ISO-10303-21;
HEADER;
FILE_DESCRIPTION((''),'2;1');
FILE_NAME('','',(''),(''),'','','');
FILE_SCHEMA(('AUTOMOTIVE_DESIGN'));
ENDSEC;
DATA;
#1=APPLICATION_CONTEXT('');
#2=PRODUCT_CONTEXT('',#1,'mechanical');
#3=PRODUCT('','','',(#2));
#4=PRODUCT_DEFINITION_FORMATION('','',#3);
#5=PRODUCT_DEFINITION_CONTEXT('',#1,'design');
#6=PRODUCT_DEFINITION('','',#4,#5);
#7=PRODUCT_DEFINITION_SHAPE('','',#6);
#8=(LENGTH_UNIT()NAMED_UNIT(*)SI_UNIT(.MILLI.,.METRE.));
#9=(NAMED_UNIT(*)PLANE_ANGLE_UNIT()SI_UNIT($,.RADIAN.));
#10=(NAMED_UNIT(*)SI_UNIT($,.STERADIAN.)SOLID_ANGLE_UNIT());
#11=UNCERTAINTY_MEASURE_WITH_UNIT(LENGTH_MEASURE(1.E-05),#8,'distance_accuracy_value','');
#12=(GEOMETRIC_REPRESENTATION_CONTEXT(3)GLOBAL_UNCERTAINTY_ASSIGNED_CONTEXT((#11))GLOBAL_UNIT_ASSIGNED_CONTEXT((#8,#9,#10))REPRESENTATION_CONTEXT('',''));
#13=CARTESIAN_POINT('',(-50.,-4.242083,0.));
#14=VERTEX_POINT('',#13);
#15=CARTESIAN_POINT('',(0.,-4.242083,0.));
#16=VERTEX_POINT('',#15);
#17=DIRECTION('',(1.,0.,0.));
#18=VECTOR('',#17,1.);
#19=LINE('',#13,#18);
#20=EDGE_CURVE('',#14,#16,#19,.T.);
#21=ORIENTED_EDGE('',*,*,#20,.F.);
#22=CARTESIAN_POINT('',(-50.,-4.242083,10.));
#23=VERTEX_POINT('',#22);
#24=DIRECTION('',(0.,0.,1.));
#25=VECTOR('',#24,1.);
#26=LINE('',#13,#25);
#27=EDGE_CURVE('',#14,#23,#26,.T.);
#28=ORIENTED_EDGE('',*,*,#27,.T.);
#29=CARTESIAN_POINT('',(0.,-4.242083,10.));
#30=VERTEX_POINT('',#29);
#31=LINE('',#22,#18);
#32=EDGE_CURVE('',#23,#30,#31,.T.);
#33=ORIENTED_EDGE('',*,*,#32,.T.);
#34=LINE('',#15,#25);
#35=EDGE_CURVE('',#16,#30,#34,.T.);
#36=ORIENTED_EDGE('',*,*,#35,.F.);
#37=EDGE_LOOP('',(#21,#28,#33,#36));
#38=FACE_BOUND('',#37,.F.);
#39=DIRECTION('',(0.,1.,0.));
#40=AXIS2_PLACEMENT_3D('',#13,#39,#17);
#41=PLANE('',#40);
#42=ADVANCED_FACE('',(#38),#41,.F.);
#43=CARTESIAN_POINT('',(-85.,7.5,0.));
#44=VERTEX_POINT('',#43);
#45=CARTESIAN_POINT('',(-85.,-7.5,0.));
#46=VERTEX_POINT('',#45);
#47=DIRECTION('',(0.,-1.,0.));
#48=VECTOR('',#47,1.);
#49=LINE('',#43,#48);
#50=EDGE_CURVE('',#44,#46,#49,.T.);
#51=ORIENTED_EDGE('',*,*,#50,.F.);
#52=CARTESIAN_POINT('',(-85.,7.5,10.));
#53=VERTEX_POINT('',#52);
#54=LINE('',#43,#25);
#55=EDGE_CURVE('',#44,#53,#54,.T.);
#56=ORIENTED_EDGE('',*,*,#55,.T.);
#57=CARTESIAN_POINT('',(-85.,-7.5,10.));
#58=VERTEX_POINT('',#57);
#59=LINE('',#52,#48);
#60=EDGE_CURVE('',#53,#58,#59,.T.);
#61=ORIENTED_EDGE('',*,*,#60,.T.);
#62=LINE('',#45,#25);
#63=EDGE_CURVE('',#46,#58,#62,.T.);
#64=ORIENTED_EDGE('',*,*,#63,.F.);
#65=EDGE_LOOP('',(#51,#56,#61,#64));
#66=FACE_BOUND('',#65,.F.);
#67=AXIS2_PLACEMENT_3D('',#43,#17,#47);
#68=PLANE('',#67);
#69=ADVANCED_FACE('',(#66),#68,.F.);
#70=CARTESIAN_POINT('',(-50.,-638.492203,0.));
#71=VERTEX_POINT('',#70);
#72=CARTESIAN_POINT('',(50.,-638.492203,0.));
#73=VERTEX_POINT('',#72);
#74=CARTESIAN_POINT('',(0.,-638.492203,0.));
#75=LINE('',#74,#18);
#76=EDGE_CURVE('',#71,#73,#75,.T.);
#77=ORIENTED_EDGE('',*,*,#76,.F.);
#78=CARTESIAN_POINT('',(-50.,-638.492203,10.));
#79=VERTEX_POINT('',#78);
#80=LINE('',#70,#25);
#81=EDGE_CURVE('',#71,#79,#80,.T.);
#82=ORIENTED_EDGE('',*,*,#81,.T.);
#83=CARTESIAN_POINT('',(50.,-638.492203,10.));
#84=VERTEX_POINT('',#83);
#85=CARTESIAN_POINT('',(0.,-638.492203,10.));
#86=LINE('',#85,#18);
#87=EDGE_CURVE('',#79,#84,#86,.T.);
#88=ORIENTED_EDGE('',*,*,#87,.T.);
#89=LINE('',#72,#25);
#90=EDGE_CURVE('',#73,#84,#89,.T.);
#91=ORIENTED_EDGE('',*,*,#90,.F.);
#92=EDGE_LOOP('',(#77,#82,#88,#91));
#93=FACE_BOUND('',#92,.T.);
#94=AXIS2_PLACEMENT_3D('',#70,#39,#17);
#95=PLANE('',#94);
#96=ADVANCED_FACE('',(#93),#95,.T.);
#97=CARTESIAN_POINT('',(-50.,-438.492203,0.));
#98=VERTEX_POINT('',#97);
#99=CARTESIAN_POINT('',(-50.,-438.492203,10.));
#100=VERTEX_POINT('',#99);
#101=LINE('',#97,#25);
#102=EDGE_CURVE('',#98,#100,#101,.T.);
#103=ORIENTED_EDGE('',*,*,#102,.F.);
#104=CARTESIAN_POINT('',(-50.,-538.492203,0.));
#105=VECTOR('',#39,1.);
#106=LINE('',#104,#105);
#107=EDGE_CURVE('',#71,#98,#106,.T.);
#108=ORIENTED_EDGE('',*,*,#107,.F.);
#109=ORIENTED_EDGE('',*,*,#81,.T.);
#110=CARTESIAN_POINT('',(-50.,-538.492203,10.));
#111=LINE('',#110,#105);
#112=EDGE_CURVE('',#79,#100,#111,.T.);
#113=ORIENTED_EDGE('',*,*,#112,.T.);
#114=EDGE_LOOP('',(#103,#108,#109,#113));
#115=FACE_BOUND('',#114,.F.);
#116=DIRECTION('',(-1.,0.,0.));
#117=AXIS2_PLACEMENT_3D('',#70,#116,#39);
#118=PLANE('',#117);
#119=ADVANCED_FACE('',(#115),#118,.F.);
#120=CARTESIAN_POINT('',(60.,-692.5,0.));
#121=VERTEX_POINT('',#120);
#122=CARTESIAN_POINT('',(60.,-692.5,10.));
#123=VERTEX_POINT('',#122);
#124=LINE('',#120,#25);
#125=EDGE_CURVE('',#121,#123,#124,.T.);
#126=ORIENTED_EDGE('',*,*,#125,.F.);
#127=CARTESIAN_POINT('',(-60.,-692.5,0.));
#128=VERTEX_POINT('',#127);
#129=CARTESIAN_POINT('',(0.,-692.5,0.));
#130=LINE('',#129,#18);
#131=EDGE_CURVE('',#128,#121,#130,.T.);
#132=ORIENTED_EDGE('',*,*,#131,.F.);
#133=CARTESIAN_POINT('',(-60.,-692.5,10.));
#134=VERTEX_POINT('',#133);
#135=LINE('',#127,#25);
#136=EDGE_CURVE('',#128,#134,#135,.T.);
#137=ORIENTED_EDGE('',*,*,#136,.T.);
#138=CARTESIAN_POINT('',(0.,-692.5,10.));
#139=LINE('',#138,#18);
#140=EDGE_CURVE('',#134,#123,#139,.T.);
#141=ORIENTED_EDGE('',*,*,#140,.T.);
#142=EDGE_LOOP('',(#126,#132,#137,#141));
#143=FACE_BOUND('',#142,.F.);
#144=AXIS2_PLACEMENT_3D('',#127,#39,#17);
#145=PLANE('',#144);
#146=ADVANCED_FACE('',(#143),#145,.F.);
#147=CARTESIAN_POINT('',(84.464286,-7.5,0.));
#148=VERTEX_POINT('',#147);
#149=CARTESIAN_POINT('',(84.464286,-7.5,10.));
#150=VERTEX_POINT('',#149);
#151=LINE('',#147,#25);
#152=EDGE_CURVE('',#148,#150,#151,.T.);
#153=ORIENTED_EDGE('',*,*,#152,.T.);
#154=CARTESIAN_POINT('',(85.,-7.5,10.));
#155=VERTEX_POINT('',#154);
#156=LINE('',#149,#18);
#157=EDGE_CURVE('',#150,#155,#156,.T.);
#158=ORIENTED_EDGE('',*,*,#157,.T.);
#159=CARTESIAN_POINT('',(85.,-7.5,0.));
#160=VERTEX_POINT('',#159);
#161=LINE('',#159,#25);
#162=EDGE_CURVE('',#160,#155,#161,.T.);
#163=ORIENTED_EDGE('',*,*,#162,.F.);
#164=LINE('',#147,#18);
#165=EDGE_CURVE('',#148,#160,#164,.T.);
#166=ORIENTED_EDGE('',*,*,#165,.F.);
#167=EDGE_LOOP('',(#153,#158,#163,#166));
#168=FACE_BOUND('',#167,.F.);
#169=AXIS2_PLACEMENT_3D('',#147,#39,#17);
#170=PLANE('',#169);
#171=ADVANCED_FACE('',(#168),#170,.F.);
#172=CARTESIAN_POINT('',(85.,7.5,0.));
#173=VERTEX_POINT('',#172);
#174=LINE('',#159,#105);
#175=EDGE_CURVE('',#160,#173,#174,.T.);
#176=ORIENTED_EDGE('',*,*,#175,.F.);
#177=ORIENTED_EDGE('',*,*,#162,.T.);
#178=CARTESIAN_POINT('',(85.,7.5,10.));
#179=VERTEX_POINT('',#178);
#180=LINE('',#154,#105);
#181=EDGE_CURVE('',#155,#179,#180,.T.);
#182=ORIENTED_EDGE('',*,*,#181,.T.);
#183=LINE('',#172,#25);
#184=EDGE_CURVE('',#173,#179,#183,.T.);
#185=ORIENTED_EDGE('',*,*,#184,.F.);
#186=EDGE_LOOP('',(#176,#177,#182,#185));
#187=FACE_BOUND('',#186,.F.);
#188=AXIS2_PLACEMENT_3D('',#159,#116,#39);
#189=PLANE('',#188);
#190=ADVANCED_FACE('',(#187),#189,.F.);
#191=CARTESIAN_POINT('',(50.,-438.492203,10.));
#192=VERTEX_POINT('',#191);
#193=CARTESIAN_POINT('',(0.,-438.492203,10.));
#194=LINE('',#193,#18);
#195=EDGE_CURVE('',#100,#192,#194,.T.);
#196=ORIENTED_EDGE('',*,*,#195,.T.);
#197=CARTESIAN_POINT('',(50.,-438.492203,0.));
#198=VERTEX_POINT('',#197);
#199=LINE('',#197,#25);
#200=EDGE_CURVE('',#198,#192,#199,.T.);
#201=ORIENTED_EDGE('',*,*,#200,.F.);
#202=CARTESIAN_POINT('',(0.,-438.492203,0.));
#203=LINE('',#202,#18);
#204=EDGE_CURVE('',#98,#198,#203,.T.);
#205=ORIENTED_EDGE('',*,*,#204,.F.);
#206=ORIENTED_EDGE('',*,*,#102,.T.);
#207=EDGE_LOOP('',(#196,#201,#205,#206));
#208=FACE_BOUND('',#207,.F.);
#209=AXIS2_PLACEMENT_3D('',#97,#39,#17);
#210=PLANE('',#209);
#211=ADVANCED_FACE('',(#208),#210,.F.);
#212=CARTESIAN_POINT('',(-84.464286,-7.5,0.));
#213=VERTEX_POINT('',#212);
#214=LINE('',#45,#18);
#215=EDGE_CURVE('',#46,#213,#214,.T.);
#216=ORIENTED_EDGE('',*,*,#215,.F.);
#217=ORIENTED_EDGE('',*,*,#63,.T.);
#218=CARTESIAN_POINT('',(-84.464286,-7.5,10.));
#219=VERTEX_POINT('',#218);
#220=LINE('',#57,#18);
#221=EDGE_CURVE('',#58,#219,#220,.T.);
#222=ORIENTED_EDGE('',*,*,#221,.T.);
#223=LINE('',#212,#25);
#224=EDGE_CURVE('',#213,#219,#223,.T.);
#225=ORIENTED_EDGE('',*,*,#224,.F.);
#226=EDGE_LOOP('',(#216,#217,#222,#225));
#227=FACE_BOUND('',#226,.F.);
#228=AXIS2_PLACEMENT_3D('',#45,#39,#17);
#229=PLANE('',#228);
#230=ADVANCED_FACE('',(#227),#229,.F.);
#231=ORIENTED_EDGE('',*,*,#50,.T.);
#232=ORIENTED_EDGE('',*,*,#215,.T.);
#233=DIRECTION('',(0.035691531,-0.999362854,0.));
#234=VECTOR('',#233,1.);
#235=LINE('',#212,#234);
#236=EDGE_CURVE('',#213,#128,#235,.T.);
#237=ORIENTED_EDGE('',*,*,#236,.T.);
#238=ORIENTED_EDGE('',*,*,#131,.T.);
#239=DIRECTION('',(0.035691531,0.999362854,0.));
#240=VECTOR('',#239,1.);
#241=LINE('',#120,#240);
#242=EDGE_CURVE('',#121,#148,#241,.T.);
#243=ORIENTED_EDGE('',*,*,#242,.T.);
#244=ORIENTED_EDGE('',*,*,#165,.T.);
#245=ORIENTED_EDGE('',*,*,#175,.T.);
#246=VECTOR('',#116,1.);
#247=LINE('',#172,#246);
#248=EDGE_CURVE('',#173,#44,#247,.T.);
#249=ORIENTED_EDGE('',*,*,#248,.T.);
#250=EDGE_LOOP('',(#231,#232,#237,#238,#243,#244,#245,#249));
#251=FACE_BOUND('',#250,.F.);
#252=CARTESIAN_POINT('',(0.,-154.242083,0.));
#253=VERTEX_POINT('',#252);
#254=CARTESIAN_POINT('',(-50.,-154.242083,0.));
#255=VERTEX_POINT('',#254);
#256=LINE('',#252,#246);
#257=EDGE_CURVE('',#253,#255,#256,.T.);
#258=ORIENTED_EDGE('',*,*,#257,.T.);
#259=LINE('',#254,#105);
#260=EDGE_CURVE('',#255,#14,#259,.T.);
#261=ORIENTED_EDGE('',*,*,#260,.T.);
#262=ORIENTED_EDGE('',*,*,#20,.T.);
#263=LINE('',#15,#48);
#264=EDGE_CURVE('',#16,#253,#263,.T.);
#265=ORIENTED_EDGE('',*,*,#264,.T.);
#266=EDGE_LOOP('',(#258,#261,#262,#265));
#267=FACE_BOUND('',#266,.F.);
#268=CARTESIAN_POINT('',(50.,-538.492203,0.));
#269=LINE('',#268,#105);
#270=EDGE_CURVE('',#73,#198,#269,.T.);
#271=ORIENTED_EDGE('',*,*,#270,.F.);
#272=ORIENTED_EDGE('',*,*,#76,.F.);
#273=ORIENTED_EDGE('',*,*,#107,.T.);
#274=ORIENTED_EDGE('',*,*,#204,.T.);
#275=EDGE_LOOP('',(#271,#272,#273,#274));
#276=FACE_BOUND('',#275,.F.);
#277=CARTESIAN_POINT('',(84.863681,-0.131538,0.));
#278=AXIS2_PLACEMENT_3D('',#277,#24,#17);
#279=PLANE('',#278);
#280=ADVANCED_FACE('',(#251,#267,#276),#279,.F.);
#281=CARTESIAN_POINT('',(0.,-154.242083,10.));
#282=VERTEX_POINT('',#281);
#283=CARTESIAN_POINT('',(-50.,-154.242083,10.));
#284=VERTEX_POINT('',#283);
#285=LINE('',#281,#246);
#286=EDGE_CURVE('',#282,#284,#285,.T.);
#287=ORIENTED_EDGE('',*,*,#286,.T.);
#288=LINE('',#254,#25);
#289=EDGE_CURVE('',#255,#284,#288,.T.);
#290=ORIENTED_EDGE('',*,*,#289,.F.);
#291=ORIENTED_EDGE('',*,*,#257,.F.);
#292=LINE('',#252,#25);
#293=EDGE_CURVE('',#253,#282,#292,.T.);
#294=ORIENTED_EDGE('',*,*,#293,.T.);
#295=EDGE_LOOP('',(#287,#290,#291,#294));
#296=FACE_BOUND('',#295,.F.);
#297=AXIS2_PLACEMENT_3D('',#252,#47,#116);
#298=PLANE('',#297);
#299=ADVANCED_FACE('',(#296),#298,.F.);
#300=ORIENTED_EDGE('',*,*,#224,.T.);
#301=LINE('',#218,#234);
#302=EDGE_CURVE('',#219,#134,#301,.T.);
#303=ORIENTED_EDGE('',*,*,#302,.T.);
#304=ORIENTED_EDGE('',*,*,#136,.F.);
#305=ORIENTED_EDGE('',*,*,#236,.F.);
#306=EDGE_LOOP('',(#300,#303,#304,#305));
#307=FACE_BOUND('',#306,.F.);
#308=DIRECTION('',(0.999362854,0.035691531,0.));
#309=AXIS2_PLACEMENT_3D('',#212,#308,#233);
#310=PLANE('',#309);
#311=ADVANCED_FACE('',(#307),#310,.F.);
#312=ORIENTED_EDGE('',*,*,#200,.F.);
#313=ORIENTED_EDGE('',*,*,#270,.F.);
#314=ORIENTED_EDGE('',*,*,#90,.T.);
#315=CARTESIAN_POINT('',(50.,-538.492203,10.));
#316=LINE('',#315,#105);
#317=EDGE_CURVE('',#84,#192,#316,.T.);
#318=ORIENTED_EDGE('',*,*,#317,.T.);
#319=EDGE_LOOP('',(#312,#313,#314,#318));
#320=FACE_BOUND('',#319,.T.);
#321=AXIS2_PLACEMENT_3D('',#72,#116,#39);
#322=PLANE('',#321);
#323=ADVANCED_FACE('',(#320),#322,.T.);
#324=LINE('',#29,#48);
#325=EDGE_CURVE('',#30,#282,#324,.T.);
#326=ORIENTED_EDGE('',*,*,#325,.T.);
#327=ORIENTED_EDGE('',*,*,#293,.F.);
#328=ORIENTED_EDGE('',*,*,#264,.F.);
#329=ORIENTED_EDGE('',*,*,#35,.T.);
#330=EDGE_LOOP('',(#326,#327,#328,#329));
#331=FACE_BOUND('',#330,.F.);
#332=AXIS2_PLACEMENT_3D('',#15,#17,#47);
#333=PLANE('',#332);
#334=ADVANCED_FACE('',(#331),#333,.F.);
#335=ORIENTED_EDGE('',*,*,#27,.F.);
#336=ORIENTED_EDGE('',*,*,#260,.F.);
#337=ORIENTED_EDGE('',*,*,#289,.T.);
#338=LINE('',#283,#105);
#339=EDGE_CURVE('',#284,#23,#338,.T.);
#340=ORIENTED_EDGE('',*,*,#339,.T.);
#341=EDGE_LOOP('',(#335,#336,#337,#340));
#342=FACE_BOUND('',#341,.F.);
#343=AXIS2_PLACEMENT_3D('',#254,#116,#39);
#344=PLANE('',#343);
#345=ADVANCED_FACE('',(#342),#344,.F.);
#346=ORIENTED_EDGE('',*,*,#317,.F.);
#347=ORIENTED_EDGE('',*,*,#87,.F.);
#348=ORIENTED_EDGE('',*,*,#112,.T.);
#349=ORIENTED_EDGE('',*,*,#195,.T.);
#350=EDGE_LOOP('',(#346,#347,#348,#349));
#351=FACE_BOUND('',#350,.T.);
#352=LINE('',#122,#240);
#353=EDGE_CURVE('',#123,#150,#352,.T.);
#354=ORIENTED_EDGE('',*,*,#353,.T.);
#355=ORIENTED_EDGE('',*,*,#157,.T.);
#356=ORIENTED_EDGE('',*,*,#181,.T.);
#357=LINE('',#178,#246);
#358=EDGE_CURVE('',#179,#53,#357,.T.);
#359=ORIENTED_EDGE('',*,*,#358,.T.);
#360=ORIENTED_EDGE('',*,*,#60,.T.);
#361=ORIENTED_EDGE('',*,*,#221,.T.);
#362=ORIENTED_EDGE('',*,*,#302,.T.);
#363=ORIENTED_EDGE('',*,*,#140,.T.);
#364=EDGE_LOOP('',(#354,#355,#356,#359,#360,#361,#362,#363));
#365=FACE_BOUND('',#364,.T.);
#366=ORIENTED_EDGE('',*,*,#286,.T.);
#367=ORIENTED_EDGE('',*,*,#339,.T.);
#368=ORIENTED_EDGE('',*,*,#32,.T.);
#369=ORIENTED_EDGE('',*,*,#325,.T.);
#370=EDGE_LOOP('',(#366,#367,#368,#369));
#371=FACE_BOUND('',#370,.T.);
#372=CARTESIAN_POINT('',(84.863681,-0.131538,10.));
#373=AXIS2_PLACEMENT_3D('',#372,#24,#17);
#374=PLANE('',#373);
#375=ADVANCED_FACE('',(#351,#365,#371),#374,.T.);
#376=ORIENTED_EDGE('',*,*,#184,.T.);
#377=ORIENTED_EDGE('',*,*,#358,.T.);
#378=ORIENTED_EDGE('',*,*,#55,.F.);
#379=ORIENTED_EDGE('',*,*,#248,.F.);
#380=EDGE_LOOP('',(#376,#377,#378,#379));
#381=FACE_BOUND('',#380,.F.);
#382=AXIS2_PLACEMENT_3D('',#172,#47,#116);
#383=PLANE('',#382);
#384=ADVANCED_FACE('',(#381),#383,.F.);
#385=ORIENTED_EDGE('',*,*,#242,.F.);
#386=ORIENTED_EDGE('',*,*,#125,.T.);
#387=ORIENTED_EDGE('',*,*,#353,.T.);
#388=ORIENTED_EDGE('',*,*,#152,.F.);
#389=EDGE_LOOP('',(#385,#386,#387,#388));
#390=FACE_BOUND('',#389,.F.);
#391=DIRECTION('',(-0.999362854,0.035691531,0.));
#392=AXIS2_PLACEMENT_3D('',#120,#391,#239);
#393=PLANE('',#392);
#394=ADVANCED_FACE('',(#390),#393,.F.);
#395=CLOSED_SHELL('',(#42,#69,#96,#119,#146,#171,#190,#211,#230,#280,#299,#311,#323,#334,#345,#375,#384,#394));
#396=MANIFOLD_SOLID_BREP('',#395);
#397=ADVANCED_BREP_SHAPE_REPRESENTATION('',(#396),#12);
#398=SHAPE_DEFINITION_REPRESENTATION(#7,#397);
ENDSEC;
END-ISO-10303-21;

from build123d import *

# Parameters (mm, degrees)
F0_W     = 100
F0_H     = 200
F0_W_2   = 120
F0_H_2   = 21.92845
F1_DEPTH = 10


with BuildPart() as f1:
    # F0 (on Top) → F1 (new body)
    with BuildSketch(Plane.XY):
        Polygon((84.464286, -7.5), (85, -7.5), (85, 7.5), align=None)
        Polygon((60, -692.5), (84.464286, -7.5), (0, -7.5), (0, -154.242083), (-50, -154.242083), (-50, -7.5), (-84.464286, -7.5), (-60, -692.5), (-60, -670.57155), (60, -670.57155), align=None)
        with Locations((0, -538.492203)):
            Rectangle(F0_W, F0_H, mode=Mode.SUBTRACT)
        Polygon((0, -7.5), (84.464286, -7.5), (85, 7.5), (-85, 7.5), (-84.464286, -7.5), (-50, -7.5), (-50, -4.242083), (0, -4.242083), align=None)
        with Locations((0, -681.535775)):
            Rectangle(F0_W_2, F0_H_2)
        Polygon((-84.464286, -7.5), (-85, 7.5), (-85, -7.5), align=None)
    extrude(amount=F1_DEPTH)


solid = f1.part
